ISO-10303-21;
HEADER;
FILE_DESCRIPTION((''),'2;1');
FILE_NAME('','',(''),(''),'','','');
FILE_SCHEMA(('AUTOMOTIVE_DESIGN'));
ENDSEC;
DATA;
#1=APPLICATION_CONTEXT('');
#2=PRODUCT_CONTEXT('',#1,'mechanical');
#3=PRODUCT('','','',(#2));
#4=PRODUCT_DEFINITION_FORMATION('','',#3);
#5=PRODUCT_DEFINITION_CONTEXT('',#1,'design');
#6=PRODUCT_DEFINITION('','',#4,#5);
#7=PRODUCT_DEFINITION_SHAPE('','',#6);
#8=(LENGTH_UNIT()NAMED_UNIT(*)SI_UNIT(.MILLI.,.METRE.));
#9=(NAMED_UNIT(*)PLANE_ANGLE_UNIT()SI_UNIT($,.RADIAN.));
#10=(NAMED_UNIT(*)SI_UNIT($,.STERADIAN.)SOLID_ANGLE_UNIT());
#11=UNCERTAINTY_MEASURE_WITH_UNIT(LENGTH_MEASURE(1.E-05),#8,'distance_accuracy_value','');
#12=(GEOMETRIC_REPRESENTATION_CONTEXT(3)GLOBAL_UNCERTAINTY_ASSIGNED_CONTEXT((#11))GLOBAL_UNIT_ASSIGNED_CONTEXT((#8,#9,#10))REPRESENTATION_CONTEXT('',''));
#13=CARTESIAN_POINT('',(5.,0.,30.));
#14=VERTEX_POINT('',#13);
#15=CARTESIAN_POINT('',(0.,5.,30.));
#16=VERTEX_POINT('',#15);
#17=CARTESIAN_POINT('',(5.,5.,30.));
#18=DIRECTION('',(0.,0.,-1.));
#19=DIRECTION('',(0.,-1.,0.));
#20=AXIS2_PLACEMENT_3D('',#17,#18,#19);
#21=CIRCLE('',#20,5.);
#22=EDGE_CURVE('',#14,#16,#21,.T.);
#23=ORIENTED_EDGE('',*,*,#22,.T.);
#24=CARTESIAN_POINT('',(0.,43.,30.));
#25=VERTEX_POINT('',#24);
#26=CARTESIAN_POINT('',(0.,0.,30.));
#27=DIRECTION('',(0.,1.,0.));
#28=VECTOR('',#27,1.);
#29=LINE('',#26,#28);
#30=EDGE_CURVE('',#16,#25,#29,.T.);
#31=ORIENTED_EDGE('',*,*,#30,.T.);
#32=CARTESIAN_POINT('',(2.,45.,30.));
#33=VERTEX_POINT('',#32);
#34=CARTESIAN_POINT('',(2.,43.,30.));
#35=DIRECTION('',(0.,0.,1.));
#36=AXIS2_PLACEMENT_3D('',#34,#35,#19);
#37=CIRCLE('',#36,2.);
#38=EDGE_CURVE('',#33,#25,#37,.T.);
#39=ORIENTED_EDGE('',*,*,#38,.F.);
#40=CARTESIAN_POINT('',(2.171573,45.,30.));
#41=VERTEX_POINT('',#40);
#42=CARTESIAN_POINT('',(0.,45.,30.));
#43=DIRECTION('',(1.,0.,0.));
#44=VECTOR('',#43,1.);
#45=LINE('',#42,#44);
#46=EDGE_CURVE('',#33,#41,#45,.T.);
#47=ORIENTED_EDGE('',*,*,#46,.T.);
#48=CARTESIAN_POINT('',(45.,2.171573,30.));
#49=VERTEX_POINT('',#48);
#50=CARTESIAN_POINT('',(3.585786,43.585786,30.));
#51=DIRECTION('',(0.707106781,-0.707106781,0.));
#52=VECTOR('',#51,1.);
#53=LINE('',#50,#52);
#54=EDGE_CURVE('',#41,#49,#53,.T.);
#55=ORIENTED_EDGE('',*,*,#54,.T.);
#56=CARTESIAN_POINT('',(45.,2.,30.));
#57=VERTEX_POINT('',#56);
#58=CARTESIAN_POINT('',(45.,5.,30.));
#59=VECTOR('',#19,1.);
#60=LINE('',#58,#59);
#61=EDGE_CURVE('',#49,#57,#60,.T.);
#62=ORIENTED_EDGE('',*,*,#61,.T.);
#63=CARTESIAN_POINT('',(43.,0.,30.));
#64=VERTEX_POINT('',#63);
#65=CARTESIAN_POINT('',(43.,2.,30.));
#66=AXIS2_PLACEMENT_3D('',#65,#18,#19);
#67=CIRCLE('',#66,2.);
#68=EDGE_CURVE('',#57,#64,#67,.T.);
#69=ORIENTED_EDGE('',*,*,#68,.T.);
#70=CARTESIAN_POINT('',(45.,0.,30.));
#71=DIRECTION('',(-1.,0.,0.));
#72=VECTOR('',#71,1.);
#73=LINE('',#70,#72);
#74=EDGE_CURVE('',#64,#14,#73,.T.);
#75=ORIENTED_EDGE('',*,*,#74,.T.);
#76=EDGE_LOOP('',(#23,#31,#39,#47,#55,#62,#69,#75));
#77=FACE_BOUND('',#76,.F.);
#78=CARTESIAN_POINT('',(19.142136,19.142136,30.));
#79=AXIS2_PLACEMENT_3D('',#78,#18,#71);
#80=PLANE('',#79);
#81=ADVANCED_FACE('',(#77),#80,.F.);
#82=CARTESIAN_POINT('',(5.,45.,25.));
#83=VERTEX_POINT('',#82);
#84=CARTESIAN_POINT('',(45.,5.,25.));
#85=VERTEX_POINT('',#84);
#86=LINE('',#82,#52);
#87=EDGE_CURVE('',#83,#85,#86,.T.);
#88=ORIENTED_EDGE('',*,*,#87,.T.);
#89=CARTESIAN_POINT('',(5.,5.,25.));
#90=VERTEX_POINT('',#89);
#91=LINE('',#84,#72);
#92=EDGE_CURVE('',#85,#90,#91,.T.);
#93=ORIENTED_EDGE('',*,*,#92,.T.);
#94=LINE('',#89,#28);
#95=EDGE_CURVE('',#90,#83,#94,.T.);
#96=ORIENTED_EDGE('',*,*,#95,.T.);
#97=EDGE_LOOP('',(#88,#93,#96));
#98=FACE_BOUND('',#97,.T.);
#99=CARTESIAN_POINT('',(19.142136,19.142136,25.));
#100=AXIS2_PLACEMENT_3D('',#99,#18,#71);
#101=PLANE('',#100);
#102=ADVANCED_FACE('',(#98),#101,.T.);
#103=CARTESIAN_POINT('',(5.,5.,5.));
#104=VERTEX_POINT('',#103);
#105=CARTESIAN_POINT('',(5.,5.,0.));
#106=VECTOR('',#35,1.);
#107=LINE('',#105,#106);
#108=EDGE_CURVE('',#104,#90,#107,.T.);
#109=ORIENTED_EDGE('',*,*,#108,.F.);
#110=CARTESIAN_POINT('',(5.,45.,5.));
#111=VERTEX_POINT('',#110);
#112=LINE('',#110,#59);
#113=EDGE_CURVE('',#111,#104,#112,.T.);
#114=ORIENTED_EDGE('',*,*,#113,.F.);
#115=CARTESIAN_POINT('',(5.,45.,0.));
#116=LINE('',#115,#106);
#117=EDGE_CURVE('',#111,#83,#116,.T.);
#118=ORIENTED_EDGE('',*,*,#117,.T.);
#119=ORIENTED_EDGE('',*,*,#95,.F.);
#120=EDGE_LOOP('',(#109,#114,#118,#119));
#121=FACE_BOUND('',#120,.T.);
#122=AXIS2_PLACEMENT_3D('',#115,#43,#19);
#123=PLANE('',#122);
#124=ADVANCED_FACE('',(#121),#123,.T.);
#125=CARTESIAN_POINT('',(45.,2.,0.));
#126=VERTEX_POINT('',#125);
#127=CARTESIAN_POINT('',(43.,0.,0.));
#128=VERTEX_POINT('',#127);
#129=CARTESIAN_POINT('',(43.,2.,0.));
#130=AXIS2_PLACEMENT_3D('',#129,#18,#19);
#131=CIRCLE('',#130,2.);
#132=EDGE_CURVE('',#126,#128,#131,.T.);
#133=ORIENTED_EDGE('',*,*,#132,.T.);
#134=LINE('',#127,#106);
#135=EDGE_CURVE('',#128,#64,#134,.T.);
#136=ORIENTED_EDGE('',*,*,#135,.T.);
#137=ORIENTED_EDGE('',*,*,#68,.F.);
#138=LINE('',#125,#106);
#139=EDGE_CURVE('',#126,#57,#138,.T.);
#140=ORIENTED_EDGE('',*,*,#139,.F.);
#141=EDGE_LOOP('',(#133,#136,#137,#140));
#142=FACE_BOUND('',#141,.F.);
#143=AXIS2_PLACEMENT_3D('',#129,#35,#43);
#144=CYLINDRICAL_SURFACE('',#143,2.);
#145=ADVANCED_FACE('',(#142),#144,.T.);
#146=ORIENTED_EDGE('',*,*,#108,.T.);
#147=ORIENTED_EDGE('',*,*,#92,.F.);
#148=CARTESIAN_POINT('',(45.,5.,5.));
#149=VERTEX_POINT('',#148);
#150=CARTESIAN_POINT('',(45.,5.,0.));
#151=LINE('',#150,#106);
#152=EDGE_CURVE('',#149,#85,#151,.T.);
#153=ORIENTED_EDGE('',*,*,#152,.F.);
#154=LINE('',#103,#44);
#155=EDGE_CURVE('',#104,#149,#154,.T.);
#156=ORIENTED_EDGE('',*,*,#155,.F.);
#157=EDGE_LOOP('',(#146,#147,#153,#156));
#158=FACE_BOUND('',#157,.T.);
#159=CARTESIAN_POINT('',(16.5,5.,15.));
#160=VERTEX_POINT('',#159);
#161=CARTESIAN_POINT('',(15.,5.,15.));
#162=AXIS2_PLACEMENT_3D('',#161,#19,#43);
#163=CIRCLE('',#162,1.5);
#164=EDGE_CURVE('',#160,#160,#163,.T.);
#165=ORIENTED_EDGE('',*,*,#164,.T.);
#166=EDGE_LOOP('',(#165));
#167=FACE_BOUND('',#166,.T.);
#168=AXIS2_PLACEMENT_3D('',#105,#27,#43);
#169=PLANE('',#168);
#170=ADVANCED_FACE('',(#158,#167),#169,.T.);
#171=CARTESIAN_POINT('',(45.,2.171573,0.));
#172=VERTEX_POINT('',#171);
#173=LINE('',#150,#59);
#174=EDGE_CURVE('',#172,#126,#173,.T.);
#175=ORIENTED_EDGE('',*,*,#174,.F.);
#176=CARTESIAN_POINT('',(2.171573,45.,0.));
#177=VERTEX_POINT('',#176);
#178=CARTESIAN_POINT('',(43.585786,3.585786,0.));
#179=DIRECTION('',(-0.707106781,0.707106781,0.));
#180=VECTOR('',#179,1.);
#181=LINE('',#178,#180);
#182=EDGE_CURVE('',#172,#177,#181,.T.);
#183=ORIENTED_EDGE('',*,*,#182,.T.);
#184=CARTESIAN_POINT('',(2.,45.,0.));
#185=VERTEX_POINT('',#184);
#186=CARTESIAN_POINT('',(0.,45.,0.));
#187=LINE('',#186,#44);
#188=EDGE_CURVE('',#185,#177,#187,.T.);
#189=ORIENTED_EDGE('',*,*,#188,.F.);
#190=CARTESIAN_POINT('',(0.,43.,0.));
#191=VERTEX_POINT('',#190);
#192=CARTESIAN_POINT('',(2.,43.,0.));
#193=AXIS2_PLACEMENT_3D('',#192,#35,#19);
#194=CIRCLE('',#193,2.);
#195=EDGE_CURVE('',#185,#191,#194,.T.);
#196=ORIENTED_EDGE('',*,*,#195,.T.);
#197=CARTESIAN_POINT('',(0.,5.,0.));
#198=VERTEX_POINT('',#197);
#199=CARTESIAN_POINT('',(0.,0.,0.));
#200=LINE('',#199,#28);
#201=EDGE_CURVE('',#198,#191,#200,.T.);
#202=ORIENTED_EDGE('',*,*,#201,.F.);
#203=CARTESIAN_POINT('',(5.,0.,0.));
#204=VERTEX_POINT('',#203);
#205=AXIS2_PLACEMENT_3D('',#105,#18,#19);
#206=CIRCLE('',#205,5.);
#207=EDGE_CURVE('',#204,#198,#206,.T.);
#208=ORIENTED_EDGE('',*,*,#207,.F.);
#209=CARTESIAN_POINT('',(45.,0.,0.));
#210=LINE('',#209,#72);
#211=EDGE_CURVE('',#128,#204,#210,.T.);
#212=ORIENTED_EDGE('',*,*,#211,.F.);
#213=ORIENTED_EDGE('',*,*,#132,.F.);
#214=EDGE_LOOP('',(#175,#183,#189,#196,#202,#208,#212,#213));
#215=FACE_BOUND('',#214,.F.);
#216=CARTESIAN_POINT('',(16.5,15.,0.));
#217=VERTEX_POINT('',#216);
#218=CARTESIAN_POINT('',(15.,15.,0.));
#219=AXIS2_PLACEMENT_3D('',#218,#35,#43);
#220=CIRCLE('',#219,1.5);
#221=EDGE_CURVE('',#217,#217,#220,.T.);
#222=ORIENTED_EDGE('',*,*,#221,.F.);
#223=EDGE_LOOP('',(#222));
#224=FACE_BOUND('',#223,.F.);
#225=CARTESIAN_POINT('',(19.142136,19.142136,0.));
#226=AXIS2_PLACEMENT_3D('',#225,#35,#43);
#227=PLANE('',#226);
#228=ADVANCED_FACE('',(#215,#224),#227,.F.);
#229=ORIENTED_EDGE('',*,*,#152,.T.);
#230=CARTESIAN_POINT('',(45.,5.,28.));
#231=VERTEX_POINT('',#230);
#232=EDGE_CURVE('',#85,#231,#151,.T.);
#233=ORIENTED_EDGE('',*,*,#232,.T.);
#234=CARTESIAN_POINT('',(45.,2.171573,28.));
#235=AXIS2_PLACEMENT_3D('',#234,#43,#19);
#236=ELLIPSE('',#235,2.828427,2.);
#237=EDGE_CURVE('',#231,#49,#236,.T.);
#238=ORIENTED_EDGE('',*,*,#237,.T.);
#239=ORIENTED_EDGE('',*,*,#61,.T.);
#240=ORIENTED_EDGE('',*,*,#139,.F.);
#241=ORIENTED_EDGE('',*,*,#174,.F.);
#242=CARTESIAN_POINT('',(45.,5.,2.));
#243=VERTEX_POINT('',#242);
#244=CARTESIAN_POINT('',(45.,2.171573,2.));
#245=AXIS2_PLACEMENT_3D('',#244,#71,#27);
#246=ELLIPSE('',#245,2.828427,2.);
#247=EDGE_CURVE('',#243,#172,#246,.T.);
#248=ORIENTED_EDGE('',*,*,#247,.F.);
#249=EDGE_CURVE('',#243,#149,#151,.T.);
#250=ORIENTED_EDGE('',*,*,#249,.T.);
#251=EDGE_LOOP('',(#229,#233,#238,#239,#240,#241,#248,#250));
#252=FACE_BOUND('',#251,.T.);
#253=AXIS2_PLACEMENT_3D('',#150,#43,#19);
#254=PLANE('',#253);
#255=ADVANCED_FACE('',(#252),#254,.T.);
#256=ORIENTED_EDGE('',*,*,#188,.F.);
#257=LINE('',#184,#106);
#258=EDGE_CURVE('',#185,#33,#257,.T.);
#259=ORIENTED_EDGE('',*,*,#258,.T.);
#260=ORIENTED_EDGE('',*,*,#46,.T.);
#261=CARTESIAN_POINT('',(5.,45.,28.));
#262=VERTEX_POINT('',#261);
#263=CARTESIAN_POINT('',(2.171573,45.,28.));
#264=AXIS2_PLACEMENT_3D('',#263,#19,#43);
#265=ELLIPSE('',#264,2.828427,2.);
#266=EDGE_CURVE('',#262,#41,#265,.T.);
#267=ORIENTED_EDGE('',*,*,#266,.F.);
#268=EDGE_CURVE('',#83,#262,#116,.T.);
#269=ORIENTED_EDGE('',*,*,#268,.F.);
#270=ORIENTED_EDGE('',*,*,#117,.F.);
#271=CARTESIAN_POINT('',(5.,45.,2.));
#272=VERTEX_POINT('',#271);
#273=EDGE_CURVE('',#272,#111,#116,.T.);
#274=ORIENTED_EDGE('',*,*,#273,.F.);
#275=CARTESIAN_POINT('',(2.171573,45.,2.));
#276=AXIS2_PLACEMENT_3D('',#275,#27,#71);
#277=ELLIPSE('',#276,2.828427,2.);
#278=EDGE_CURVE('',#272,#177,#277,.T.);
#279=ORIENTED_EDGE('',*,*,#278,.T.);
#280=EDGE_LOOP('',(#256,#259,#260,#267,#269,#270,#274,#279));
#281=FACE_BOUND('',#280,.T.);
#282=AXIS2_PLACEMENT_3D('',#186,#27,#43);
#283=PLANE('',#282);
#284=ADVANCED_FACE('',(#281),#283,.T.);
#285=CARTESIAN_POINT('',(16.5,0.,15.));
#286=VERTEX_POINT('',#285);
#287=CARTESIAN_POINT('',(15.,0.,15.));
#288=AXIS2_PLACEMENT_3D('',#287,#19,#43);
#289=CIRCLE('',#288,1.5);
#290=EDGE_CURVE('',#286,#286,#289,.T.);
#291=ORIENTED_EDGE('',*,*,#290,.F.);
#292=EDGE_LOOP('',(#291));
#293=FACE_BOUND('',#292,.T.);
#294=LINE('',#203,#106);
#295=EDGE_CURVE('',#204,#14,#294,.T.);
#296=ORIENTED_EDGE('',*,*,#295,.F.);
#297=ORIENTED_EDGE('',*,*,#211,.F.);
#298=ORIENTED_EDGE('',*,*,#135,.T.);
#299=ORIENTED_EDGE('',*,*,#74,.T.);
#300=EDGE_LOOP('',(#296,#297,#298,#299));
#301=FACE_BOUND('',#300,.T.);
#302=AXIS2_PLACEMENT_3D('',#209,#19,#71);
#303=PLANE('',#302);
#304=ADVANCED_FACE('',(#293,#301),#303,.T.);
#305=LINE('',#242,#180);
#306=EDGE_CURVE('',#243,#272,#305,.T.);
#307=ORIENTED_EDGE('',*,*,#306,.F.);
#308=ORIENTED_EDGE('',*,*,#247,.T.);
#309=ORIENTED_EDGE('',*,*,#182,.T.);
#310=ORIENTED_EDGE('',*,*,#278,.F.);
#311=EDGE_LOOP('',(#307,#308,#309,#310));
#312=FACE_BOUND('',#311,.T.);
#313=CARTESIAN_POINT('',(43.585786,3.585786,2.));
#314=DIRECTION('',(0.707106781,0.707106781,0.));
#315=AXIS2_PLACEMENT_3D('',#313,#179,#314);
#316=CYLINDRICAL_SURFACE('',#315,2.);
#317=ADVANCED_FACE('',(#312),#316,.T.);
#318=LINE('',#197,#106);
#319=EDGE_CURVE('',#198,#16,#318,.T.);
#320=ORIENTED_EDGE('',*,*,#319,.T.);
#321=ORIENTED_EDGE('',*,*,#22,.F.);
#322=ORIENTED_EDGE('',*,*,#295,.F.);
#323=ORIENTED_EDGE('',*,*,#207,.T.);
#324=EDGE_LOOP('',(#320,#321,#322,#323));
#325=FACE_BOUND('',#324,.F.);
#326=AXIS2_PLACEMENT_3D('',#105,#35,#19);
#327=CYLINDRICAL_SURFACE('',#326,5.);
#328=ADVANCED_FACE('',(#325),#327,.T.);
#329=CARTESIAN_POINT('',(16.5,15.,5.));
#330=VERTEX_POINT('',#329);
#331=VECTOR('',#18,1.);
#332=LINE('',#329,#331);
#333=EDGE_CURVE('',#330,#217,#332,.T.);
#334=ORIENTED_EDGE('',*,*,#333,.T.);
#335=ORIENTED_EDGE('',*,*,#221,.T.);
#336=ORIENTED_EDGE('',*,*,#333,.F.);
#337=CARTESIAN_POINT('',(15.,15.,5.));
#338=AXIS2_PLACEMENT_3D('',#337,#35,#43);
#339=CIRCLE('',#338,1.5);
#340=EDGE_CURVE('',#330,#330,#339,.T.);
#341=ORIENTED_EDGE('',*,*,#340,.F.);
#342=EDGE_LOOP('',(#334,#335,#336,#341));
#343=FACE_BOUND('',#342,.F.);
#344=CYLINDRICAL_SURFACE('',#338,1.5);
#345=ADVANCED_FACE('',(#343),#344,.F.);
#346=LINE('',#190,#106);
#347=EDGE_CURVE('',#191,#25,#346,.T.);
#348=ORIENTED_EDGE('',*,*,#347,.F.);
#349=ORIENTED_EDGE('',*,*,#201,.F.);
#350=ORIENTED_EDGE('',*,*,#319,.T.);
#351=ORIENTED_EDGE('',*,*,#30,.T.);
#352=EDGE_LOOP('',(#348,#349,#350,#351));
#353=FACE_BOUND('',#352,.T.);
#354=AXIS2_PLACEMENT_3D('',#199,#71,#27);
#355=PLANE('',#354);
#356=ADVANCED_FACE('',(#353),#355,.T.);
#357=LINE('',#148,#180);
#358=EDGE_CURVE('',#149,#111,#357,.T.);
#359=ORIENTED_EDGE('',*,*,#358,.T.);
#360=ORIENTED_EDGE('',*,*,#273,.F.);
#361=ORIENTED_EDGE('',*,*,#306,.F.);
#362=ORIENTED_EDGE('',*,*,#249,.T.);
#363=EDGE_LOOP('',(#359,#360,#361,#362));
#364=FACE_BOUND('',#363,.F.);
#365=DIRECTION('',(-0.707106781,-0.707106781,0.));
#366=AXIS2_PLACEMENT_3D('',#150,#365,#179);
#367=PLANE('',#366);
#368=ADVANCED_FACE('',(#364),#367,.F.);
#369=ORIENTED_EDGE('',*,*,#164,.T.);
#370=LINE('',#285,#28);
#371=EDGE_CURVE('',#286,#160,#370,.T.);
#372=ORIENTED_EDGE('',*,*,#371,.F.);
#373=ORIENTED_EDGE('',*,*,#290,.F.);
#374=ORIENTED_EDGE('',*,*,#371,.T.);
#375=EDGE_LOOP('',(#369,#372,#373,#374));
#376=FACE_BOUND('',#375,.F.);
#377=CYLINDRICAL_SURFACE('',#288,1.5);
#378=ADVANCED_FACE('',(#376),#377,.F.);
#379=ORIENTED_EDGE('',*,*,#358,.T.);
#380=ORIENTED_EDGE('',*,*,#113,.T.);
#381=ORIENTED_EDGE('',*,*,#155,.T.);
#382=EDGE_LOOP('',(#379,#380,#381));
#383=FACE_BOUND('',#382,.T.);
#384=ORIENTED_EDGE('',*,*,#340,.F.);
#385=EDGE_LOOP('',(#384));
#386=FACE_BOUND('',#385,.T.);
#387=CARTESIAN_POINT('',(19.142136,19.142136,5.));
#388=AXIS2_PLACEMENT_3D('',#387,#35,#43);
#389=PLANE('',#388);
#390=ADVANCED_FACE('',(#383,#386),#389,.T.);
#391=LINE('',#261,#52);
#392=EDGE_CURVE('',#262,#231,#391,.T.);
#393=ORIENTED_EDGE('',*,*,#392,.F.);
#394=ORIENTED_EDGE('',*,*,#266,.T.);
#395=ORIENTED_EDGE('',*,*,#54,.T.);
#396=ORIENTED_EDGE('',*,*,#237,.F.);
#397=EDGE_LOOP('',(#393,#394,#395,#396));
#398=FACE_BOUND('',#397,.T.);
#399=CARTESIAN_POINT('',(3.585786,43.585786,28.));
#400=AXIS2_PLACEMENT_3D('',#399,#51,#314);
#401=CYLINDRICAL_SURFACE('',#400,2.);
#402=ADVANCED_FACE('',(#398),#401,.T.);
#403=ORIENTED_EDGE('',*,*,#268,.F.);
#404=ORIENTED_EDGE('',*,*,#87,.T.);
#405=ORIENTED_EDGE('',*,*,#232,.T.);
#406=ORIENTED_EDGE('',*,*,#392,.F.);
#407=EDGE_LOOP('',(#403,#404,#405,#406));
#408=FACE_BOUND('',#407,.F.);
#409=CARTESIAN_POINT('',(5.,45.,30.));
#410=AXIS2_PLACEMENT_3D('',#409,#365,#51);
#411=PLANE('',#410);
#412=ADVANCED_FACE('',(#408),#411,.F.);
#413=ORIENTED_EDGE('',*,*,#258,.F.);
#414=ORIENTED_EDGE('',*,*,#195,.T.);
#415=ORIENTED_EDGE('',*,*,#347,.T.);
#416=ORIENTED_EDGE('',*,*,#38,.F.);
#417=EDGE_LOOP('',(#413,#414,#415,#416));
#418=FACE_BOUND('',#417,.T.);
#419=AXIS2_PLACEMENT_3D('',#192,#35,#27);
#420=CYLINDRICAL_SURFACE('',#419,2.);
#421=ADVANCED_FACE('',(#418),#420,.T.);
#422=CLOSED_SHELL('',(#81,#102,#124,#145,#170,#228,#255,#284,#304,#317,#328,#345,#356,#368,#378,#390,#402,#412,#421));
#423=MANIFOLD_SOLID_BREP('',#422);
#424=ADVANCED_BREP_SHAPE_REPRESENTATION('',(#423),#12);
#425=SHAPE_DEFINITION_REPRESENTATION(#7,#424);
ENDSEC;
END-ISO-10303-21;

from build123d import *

# Parameters (mm, degrees)
BOSS_EXTRUDE2_DEPTH = 30
BOSS_EXTRUDE3_DEPTH = 5
BOSS_EXTRUDE4_DEPTH = 5
SKETCH4_R           = 1.5
CUT_EXTRUDE1_DEPTH  = 46
SKETCH5_R           = 1.5
CUT_EXTRUDE2_DEPTH  = 6
FILLET1_R           = 2
FILLET2_R           = 5


with BuildPart() as part:
    # Sketch1 → Boss-Extrude2 (new body)
    with BuildSketch(Plane.XY):
        Polygon((0, 0), (0, 45), (5, 45), (5, 5), (45, 5), (45, 0), align=None)
    extrude(amount=BOSS_EXTRUDE2_DEPTH)

    # Sketch2 → Boss-Extrude3 (add)
    with BuildSketch(Plane.XY.offset(30)):
        Polygon((5, 45), (45, 5), (5, 5), align=None)
    extrude(amount=-BOSS_EXTRUDE3_DEPTH)

    # Sketch3 → Boss-Extrude4 (add)
    with BuildSketch(Plane(origin=(0, 0, 0), x_dir=(-1, 0, 0), z_dir=(0, 0, -1))):
        Polygon((-5, 45), (-5, 5), (-45, 5), align=None)
    extrude(amount=-BOSS_EXTRUDE4_DEPTH)

    # Sketch4 → Cut-Extrude1 (cut, through all)
    with BuildSketch(Plane.XZ):
        with Locations((15, 15)):
            Circle(SKETCH4_R)
    extrude(amount=-CUT_EXTRUDE1_DEPTH, mode=Mode.SUBTRACT)

    # Sketch5 → Cut-Extrude2 (cut, through all)
    with BuildSketch(Plane.XY.offset(5)):
        with Locations((15, 15)):
            Circle(SKETCH5_R)
    extrude(amount=-CUT_EXTRUDE2_DEPTH, mode=Mode.SUBTRACT)

    # Fillet1
    fillet1_edges = [part.edges().sort_by_distance(p)[0] for p in [
        (0, 45, 15),
        (45, 0, 15),
        (25, 25, 30),
        (25, 25, 0),
    ]]
    fillet(fillet1_edges, radius=FILLET1_R)

    # Fillet2
    fillet2_edges = [part.edges().sort_by_distance(p)[0] for p in [
        (0, 0, 15),
    ]]
    fillet(fillet2_edges, radius=FILLET2_R)


solid = part.part
